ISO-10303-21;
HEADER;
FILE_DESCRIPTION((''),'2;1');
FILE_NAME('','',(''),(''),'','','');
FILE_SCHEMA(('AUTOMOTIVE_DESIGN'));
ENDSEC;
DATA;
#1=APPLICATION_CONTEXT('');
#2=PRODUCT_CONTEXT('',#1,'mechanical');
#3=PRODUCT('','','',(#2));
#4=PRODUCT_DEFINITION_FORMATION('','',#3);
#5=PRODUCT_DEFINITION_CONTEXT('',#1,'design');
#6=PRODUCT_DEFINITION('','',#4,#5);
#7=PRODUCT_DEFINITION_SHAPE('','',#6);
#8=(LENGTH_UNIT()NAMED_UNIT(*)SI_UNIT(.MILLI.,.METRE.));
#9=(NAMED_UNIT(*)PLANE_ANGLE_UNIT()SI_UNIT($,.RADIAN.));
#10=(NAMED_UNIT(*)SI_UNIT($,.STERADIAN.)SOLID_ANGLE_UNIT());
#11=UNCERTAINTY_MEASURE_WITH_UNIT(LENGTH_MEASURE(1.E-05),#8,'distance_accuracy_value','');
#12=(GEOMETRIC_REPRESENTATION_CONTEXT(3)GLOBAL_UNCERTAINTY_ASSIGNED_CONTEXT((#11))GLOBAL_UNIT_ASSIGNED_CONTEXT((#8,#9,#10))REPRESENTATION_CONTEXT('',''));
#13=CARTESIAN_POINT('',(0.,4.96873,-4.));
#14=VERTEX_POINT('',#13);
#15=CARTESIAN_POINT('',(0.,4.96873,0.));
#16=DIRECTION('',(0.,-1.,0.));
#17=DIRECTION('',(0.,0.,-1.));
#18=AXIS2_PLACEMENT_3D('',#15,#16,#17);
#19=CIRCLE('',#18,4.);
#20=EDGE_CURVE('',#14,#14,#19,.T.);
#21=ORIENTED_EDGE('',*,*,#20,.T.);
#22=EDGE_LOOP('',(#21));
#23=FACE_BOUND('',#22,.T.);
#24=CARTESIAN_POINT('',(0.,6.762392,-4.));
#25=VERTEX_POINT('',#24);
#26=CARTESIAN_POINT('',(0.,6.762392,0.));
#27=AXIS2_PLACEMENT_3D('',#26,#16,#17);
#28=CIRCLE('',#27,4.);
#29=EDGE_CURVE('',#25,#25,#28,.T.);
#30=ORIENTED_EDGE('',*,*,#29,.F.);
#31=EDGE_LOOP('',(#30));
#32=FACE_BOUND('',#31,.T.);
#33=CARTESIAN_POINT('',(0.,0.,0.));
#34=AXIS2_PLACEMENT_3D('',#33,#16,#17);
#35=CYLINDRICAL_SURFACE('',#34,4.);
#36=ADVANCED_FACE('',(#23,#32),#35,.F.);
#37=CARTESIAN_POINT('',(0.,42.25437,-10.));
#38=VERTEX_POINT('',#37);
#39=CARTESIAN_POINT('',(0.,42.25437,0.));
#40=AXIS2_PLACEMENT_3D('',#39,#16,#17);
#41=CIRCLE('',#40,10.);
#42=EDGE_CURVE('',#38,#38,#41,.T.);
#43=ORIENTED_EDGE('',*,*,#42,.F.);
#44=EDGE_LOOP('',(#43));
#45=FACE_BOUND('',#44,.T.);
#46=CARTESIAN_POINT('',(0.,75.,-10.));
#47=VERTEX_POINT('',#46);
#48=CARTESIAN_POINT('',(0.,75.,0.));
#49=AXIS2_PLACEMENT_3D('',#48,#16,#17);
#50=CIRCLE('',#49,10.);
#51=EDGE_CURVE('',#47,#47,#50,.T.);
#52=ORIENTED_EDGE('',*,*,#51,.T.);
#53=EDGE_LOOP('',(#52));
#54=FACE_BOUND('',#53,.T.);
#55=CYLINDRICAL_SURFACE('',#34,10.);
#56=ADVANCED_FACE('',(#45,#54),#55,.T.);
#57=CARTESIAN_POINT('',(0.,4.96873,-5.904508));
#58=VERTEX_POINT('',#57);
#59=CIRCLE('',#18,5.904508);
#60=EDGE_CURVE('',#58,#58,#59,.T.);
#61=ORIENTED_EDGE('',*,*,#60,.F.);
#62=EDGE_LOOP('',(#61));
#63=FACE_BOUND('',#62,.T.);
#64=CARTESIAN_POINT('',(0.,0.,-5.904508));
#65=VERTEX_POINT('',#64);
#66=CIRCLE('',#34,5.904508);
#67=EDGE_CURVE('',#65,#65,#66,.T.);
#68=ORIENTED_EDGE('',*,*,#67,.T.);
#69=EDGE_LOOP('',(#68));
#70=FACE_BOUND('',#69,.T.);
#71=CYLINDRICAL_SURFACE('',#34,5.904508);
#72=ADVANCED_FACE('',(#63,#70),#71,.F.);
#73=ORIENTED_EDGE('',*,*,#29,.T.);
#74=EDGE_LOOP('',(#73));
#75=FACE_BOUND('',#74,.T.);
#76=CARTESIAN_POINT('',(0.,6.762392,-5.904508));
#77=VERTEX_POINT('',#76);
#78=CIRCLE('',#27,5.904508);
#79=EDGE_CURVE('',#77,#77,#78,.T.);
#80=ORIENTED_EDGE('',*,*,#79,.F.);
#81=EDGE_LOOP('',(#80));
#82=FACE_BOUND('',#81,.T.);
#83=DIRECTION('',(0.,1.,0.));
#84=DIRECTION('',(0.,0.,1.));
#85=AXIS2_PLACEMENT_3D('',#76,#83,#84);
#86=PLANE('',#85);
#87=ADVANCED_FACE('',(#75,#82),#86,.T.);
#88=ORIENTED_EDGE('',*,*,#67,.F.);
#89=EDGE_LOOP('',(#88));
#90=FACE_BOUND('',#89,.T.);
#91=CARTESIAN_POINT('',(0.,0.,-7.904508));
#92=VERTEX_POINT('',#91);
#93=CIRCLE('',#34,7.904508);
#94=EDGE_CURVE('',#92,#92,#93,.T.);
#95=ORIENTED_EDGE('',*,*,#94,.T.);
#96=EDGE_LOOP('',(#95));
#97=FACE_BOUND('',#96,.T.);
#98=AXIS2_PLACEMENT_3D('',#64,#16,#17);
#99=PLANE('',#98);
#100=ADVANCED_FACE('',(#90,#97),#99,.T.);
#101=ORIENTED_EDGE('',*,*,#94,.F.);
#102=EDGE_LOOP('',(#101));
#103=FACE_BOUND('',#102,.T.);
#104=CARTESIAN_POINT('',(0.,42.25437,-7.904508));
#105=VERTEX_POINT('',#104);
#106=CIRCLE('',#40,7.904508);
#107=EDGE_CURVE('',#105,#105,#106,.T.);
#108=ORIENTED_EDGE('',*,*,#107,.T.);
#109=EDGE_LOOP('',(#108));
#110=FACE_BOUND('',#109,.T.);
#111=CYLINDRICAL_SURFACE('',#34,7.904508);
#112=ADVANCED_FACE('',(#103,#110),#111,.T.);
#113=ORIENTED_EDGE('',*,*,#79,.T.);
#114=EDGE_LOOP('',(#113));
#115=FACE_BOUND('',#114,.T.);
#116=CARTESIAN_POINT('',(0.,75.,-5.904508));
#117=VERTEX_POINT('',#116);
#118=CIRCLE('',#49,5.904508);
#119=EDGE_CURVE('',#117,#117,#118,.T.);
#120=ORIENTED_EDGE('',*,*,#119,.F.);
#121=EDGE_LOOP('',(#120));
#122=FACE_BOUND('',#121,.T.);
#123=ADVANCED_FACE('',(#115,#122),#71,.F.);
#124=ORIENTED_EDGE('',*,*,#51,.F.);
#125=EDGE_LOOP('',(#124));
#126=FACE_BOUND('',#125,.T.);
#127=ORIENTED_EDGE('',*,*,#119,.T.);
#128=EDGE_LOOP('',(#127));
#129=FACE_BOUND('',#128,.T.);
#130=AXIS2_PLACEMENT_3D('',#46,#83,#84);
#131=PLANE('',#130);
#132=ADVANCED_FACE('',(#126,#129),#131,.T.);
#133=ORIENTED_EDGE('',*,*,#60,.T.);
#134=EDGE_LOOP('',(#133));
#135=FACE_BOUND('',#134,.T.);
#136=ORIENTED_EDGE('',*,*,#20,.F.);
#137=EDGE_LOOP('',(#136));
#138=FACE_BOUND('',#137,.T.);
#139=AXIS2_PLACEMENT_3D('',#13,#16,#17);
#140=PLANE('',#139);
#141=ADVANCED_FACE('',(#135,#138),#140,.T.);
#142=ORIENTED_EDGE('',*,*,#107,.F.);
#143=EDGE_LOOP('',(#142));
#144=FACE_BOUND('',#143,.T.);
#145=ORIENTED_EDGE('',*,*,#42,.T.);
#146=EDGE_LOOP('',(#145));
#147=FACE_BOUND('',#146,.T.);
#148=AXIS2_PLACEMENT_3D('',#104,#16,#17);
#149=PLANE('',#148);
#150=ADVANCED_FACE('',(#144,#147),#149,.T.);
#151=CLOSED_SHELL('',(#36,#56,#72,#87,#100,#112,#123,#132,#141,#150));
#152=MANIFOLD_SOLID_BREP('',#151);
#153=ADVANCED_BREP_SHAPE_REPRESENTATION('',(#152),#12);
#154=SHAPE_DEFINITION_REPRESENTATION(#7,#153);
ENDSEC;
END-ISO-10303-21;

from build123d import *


with BuildPart() as part:
    # 스케치1 → 회전1 (revolve)
    with BuildSketch(Plane(origin=(0, 0, 0), x_dir=(0, 0, -1), z_dir=(1, 0, 0))):
        Polygon((5.904507965, 0), (7.904507965, 0), (7.904507965, 42.254370367), (10, 42.254370367), (10, 75), (5.904507965, 75), (5.904507965, 6.762391945), (4, 6.762391945), (4, 4.968729859), (5.904507965, 4.968729859), align=None)
    revolve(axis=Axis((0, 0, 0), (0, 1, 0)))


solid = part.part
